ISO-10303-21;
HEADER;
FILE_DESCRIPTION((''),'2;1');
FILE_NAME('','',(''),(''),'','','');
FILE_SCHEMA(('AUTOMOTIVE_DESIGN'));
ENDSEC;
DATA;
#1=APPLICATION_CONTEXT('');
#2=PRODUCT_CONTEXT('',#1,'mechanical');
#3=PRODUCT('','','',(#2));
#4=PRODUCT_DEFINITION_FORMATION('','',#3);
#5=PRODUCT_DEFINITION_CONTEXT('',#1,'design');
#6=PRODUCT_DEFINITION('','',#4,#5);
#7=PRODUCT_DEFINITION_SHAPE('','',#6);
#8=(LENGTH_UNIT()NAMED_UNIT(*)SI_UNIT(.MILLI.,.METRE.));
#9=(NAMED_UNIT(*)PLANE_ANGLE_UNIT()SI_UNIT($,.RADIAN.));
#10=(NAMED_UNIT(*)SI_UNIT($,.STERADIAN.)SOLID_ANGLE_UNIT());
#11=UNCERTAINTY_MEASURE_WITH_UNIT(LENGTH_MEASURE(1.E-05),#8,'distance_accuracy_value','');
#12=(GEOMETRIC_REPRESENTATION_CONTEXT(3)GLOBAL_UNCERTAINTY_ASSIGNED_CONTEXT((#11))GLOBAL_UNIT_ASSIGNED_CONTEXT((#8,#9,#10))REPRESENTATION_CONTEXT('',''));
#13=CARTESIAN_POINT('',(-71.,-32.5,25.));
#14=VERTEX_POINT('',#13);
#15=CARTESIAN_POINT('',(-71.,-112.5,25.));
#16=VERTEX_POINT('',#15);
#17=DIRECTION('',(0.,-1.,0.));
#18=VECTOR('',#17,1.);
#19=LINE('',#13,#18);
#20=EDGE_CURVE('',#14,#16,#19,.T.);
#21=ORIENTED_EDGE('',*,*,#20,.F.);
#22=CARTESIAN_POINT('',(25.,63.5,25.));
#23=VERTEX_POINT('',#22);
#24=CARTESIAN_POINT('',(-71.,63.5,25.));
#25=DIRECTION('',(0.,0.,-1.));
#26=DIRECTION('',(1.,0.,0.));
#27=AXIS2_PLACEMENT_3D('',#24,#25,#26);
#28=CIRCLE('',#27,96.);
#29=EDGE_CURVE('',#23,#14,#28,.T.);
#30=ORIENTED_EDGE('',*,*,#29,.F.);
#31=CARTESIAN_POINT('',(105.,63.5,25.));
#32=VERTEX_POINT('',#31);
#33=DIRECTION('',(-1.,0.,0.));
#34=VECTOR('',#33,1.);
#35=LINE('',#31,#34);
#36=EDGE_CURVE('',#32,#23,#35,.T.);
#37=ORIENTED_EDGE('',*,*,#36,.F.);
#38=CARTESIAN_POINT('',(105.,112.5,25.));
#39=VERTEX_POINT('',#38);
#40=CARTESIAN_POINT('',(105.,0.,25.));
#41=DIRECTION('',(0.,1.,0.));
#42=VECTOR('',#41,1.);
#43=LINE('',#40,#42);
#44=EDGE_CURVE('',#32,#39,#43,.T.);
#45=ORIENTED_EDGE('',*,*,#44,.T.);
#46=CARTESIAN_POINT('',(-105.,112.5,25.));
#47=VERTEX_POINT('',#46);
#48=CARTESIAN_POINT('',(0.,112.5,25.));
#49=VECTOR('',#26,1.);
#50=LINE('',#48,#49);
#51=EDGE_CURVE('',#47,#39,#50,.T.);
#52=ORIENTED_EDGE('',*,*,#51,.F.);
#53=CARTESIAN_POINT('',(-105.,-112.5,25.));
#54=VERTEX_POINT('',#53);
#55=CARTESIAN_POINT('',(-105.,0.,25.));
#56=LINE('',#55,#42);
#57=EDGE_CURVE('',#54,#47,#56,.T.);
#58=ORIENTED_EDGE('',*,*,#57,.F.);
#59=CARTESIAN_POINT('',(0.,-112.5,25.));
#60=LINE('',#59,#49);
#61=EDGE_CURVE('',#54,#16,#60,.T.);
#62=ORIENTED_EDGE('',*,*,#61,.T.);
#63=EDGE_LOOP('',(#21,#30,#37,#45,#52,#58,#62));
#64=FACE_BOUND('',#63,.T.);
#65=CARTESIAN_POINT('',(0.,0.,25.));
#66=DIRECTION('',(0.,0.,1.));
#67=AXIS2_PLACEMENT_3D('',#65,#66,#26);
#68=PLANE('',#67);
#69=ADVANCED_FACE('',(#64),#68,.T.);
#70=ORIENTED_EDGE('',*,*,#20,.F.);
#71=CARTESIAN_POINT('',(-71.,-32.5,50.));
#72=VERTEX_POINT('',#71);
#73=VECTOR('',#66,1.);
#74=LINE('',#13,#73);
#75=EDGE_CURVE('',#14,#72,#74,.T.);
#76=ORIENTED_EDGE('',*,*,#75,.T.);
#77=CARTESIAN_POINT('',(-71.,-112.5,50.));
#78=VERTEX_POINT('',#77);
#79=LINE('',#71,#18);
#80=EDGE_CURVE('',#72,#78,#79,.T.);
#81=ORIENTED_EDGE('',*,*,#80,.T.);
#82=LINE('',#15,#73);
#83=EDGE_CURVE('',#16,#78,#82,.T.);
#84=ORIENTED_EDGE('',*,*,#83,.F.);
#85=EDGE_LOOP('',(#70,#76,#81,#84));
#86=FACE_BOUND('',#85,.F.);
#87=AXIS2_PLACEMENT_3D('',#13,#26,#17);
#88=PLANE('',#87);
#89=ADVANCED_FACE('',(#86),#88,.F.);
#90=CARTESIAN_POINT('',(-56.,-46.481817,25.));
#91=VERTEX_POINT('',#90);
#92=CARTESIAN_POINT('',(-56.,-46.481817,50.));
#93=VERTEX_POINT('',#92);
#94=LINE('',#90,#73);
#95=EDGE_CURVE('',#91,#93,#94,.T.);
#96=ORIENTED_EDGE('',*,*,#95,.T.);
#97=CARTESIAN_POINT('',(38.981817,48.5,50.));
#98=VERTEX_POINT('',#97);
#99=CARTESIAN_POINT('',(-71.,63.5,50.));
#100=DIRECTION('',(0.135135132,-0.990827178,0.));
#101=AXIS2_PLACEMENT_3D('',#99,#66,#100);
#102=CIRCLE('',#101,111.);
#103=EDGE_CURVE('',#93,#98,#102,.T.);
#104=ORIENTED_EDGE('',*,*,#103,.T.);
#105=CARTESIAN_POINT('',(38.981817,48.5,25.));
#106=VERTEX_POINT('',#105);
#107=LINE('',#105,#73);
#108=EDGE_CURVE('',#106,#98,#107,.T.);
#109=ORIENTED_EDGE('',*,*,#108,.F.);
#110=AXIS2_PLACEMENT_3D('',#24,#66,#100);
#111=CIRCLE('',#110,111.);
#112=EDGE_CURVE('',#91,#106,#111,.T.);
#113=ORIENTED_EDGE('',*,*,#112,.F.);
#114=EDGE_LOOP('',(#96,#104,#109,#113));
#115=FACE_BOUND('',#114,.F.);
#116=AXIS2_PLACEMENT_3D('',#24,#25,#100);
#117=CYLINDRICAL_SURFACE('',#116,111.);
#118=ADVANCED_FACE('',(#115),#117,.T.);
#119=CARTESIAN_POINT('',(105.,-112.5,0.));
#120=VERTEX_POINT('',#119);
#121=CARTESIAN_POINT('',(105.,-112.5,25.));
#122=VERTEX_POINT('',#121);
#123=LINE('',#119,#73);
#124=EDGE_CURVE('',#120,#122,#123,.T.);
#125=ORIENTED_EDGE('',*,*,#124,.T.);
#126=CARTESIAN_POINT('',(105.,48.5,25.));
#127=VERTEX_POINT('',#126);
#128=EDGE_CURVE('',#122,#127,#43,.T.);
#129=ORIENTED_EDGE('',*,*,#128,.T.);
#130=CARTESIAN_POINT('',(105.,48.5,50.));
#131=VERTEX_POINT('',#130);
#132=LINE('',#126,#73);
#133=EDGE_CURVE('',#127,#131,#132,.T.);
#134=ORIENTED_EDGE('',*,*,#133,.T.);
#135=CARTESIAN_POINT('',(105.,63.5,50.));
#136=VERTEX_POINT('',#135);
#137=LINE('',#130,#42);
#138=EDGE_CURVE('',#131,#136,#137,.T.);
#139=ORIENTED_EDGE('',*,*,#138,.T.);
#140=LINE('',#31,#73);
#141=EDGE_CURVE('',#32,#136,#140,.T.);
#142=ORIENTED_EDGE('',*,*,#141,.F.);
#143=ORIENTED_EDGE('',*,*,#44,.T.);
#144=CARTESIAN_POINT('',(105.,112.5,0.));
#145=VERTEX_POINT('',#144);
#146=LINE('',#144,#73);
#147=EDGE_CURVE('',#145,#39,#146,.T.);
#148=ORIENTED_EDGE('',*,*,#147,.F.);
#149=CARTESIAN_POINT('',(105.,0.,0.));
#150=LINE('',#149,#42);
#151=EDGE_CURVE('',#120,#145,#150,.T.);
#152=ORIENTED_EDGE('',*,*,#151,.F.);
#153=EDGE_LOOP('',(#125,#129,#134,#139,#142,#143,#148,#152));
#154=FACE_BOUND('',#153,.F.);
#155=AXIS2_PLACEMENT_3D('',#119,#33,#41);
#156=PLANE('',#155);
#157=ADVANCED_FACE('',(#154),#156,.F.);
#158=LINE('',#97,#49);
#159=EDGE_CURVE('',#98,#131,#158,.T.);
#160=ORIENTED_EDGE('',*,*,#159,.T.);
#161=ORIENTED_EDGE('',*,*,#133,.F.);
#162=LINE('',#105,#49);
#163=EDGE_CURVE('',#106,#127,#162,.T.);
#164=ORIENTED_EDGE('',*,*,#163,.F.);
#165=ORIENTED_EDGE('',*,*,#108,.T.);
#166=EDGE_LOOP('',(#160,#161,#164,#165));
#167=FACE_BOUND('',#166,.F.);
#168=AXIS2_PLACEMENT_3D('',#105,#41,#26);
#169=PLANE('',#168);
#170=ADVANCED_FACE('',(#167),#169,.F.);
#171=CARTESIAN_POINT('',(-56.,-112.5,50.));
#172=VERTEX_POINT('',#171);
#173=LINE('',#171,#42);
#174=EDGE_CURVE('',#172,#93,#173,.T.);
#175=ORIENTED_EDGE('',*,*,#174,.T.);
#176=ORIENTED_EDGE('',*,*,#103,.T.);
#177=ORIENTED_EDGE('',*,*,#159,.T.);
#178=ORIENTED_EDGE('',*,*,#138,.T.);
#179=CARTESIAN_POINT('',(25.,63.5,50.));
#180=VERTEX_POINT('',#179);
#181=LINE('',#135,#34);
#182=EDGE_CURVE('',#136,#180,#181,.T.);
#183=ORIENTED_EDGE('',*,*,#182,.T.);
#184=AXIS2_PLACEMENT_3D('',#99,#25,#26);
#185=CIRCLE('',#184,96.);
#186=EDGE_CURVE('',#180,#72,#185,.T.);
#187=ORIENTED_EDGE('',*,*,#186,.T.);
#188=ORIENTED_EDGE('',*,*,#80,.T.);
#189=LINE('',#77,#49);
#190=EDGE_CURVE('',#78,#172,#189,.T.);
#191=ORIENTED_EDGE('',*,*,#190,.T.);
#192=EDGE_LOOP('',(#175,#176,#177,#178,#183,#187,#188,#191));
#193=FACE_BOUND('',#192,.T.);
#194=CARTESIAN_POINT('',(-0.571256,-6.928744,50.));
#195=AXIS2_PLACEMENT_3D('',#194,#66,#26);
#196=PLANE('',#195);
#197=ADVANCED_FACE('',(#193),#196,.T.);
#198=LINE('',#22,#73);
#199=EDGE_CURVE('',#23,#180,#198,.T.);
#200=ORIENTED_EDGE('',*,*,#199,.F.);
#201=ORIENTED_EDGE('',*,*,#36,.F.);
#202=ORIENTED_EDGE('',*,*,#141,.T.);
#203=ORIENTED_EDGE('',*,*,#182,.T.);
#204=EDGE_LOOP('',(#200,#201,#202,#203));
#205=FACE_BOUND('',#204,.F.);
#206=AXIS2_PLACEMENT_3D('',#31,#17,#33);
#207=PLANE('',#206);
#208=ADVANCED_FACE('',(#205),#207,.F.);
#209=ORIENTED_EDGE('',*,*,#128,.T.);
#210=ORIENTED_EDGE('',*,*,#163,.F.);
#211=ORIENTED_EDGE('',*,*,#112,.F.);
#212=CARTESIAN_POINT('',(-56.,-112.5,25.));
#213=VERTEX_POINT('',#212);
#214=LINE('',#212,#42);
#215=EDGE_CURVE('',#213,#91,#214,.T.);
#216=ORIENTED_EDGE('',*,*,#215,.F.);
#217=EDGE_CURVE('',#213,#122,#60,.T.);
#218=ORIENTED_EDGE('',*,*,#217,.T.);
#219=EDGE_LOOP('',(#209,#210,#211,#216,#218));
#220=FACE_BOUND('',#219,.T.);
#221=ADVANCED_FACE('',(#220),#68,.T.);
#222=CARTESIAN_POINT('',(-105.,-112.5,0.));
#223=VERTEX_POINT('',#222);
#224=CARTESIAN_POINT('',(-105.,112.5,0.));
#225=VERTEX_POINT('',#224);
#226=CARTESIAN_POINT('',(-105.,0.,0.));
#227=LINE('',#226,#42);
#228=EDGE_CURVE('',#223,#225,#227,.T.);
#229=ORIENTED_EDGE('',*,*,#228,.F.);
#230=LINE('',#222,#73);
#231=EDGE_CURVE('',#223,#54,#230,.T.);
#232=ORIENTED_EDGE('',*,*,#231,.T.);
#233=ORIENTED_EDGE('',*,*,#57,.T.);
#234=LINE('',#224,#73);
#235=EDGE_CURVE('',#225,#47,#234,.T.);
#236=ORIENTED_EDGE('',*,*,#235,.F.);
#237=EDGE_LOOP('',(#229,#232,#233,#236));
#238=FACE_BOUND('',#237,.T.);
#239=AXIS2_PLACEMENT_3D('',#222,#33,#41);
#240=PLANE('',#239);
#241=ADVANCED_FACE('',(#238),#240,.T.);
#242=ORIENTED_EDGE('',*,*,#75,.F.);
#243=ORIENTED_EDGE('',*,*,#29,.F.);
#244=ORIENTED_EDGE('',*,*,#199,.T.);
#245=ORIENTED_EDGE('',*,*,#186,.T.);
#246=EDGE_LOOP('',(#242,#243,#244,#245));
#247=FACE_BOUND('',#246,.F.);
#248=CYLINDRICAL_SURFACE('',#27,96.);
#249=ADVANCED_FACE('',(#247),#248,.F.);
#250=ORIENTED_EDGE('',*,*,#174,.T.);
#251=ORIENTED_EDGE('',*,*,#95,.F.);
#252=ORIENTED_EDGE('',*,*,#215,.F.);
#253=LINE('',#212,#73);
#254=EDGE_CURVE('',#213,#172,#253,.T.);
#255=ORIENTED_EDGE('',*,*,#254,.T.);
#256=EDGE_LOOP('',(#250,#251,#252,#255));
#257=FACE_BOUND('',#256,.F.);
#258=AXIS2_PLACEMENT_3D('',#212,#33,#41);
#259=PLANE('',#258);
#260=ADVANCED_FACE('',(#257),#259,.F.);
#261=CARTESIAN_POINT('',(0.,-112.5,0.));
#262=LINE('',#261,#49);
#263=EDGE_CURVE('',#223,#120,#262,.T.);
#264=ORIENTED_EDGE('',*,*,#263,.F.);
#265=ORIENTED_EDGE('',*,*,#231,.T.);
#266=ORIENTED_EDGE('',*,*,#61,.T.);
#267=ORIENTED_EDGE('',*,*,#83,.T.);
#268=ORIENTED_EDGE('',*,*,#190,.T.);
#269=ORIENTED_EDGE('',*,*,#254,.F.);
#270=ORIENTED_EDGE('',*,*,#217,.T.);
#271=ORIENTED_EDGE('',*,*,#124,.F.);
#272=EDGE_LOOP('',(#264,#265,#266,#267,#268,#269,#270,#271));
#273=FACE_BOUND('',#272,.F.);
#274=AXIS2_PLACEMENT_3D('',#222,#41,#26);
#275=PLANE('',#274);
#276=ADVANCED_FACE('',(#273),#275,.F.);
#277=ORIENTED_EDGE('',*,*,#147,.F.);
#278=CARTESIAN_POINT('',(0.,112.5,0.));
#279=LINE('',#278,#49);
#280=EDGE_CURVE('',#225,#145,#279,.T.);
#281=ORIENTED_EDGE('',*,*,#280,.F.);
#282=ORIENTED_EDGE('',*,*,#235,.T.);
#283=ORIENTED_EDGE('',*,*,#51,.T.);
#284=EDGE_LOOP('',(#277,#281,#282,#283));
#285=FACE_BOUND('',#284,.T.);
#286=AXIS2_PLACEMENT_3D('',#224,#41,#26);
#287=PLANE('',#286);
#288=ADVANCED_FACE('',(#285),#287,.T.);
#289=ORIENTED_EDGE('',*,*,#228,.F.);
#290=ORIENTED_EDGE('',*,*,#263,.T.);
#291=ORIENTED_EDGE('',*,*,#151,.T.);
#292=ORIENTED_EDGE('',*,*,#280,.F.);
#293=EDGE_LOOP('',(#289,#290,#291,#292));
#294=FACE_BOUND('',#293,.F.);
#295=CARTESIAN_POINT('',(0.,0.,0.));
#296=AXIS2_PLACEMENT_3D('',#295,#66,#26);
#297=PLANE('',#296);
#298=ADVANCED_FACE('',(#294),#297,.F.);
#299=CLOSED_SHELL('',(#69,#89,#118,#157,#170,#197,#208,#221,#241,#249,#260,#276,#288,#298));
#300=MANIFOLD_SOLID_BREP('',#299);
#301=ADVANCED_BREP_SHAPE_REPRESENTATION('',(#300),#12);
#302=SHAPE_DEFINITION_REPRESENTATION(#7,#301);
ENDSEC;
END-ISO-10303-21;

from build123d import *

# Parameters (mm, degrees)
F0_W     = 210
F0_H     = 225
F1_DEPTH = 25
F3_DEPTH = 25


with BuildPart() as f1:
    # F0 (on Top) → F1 (new body)
    with BuildSketch(Plane.XY):
        Rectangle(F0_W, F0_H)
    extrude(amount=F1_DEPTH)

    # F2 (on face) → F3 (join)
    with BuildSketch(Plane.XY.offset(25)):
        with BuildLine():
            Line((-71, -32.5), (-71, -112.5))
            Line((-71, -112.5), (-56, -112.5))
            Line((-56, -112.5), (-56, -46.481817))
            ThreePointArc((-56, -46.481817), (7.488853, -14.988853), (38.981817, 48.5))
            Line((38.981817, 48.5), (105, 48.5))
            Line((105, 48.5), (105, 63.5))
            Line((105, 63.5), (25, 63.5))
            ThreePointArc((25, 63.5), (-3.117749, -4.382251), (-71, -32.5))
        make_face()
    extrude(amount=F3_DEPTH)


solid = f1.part
